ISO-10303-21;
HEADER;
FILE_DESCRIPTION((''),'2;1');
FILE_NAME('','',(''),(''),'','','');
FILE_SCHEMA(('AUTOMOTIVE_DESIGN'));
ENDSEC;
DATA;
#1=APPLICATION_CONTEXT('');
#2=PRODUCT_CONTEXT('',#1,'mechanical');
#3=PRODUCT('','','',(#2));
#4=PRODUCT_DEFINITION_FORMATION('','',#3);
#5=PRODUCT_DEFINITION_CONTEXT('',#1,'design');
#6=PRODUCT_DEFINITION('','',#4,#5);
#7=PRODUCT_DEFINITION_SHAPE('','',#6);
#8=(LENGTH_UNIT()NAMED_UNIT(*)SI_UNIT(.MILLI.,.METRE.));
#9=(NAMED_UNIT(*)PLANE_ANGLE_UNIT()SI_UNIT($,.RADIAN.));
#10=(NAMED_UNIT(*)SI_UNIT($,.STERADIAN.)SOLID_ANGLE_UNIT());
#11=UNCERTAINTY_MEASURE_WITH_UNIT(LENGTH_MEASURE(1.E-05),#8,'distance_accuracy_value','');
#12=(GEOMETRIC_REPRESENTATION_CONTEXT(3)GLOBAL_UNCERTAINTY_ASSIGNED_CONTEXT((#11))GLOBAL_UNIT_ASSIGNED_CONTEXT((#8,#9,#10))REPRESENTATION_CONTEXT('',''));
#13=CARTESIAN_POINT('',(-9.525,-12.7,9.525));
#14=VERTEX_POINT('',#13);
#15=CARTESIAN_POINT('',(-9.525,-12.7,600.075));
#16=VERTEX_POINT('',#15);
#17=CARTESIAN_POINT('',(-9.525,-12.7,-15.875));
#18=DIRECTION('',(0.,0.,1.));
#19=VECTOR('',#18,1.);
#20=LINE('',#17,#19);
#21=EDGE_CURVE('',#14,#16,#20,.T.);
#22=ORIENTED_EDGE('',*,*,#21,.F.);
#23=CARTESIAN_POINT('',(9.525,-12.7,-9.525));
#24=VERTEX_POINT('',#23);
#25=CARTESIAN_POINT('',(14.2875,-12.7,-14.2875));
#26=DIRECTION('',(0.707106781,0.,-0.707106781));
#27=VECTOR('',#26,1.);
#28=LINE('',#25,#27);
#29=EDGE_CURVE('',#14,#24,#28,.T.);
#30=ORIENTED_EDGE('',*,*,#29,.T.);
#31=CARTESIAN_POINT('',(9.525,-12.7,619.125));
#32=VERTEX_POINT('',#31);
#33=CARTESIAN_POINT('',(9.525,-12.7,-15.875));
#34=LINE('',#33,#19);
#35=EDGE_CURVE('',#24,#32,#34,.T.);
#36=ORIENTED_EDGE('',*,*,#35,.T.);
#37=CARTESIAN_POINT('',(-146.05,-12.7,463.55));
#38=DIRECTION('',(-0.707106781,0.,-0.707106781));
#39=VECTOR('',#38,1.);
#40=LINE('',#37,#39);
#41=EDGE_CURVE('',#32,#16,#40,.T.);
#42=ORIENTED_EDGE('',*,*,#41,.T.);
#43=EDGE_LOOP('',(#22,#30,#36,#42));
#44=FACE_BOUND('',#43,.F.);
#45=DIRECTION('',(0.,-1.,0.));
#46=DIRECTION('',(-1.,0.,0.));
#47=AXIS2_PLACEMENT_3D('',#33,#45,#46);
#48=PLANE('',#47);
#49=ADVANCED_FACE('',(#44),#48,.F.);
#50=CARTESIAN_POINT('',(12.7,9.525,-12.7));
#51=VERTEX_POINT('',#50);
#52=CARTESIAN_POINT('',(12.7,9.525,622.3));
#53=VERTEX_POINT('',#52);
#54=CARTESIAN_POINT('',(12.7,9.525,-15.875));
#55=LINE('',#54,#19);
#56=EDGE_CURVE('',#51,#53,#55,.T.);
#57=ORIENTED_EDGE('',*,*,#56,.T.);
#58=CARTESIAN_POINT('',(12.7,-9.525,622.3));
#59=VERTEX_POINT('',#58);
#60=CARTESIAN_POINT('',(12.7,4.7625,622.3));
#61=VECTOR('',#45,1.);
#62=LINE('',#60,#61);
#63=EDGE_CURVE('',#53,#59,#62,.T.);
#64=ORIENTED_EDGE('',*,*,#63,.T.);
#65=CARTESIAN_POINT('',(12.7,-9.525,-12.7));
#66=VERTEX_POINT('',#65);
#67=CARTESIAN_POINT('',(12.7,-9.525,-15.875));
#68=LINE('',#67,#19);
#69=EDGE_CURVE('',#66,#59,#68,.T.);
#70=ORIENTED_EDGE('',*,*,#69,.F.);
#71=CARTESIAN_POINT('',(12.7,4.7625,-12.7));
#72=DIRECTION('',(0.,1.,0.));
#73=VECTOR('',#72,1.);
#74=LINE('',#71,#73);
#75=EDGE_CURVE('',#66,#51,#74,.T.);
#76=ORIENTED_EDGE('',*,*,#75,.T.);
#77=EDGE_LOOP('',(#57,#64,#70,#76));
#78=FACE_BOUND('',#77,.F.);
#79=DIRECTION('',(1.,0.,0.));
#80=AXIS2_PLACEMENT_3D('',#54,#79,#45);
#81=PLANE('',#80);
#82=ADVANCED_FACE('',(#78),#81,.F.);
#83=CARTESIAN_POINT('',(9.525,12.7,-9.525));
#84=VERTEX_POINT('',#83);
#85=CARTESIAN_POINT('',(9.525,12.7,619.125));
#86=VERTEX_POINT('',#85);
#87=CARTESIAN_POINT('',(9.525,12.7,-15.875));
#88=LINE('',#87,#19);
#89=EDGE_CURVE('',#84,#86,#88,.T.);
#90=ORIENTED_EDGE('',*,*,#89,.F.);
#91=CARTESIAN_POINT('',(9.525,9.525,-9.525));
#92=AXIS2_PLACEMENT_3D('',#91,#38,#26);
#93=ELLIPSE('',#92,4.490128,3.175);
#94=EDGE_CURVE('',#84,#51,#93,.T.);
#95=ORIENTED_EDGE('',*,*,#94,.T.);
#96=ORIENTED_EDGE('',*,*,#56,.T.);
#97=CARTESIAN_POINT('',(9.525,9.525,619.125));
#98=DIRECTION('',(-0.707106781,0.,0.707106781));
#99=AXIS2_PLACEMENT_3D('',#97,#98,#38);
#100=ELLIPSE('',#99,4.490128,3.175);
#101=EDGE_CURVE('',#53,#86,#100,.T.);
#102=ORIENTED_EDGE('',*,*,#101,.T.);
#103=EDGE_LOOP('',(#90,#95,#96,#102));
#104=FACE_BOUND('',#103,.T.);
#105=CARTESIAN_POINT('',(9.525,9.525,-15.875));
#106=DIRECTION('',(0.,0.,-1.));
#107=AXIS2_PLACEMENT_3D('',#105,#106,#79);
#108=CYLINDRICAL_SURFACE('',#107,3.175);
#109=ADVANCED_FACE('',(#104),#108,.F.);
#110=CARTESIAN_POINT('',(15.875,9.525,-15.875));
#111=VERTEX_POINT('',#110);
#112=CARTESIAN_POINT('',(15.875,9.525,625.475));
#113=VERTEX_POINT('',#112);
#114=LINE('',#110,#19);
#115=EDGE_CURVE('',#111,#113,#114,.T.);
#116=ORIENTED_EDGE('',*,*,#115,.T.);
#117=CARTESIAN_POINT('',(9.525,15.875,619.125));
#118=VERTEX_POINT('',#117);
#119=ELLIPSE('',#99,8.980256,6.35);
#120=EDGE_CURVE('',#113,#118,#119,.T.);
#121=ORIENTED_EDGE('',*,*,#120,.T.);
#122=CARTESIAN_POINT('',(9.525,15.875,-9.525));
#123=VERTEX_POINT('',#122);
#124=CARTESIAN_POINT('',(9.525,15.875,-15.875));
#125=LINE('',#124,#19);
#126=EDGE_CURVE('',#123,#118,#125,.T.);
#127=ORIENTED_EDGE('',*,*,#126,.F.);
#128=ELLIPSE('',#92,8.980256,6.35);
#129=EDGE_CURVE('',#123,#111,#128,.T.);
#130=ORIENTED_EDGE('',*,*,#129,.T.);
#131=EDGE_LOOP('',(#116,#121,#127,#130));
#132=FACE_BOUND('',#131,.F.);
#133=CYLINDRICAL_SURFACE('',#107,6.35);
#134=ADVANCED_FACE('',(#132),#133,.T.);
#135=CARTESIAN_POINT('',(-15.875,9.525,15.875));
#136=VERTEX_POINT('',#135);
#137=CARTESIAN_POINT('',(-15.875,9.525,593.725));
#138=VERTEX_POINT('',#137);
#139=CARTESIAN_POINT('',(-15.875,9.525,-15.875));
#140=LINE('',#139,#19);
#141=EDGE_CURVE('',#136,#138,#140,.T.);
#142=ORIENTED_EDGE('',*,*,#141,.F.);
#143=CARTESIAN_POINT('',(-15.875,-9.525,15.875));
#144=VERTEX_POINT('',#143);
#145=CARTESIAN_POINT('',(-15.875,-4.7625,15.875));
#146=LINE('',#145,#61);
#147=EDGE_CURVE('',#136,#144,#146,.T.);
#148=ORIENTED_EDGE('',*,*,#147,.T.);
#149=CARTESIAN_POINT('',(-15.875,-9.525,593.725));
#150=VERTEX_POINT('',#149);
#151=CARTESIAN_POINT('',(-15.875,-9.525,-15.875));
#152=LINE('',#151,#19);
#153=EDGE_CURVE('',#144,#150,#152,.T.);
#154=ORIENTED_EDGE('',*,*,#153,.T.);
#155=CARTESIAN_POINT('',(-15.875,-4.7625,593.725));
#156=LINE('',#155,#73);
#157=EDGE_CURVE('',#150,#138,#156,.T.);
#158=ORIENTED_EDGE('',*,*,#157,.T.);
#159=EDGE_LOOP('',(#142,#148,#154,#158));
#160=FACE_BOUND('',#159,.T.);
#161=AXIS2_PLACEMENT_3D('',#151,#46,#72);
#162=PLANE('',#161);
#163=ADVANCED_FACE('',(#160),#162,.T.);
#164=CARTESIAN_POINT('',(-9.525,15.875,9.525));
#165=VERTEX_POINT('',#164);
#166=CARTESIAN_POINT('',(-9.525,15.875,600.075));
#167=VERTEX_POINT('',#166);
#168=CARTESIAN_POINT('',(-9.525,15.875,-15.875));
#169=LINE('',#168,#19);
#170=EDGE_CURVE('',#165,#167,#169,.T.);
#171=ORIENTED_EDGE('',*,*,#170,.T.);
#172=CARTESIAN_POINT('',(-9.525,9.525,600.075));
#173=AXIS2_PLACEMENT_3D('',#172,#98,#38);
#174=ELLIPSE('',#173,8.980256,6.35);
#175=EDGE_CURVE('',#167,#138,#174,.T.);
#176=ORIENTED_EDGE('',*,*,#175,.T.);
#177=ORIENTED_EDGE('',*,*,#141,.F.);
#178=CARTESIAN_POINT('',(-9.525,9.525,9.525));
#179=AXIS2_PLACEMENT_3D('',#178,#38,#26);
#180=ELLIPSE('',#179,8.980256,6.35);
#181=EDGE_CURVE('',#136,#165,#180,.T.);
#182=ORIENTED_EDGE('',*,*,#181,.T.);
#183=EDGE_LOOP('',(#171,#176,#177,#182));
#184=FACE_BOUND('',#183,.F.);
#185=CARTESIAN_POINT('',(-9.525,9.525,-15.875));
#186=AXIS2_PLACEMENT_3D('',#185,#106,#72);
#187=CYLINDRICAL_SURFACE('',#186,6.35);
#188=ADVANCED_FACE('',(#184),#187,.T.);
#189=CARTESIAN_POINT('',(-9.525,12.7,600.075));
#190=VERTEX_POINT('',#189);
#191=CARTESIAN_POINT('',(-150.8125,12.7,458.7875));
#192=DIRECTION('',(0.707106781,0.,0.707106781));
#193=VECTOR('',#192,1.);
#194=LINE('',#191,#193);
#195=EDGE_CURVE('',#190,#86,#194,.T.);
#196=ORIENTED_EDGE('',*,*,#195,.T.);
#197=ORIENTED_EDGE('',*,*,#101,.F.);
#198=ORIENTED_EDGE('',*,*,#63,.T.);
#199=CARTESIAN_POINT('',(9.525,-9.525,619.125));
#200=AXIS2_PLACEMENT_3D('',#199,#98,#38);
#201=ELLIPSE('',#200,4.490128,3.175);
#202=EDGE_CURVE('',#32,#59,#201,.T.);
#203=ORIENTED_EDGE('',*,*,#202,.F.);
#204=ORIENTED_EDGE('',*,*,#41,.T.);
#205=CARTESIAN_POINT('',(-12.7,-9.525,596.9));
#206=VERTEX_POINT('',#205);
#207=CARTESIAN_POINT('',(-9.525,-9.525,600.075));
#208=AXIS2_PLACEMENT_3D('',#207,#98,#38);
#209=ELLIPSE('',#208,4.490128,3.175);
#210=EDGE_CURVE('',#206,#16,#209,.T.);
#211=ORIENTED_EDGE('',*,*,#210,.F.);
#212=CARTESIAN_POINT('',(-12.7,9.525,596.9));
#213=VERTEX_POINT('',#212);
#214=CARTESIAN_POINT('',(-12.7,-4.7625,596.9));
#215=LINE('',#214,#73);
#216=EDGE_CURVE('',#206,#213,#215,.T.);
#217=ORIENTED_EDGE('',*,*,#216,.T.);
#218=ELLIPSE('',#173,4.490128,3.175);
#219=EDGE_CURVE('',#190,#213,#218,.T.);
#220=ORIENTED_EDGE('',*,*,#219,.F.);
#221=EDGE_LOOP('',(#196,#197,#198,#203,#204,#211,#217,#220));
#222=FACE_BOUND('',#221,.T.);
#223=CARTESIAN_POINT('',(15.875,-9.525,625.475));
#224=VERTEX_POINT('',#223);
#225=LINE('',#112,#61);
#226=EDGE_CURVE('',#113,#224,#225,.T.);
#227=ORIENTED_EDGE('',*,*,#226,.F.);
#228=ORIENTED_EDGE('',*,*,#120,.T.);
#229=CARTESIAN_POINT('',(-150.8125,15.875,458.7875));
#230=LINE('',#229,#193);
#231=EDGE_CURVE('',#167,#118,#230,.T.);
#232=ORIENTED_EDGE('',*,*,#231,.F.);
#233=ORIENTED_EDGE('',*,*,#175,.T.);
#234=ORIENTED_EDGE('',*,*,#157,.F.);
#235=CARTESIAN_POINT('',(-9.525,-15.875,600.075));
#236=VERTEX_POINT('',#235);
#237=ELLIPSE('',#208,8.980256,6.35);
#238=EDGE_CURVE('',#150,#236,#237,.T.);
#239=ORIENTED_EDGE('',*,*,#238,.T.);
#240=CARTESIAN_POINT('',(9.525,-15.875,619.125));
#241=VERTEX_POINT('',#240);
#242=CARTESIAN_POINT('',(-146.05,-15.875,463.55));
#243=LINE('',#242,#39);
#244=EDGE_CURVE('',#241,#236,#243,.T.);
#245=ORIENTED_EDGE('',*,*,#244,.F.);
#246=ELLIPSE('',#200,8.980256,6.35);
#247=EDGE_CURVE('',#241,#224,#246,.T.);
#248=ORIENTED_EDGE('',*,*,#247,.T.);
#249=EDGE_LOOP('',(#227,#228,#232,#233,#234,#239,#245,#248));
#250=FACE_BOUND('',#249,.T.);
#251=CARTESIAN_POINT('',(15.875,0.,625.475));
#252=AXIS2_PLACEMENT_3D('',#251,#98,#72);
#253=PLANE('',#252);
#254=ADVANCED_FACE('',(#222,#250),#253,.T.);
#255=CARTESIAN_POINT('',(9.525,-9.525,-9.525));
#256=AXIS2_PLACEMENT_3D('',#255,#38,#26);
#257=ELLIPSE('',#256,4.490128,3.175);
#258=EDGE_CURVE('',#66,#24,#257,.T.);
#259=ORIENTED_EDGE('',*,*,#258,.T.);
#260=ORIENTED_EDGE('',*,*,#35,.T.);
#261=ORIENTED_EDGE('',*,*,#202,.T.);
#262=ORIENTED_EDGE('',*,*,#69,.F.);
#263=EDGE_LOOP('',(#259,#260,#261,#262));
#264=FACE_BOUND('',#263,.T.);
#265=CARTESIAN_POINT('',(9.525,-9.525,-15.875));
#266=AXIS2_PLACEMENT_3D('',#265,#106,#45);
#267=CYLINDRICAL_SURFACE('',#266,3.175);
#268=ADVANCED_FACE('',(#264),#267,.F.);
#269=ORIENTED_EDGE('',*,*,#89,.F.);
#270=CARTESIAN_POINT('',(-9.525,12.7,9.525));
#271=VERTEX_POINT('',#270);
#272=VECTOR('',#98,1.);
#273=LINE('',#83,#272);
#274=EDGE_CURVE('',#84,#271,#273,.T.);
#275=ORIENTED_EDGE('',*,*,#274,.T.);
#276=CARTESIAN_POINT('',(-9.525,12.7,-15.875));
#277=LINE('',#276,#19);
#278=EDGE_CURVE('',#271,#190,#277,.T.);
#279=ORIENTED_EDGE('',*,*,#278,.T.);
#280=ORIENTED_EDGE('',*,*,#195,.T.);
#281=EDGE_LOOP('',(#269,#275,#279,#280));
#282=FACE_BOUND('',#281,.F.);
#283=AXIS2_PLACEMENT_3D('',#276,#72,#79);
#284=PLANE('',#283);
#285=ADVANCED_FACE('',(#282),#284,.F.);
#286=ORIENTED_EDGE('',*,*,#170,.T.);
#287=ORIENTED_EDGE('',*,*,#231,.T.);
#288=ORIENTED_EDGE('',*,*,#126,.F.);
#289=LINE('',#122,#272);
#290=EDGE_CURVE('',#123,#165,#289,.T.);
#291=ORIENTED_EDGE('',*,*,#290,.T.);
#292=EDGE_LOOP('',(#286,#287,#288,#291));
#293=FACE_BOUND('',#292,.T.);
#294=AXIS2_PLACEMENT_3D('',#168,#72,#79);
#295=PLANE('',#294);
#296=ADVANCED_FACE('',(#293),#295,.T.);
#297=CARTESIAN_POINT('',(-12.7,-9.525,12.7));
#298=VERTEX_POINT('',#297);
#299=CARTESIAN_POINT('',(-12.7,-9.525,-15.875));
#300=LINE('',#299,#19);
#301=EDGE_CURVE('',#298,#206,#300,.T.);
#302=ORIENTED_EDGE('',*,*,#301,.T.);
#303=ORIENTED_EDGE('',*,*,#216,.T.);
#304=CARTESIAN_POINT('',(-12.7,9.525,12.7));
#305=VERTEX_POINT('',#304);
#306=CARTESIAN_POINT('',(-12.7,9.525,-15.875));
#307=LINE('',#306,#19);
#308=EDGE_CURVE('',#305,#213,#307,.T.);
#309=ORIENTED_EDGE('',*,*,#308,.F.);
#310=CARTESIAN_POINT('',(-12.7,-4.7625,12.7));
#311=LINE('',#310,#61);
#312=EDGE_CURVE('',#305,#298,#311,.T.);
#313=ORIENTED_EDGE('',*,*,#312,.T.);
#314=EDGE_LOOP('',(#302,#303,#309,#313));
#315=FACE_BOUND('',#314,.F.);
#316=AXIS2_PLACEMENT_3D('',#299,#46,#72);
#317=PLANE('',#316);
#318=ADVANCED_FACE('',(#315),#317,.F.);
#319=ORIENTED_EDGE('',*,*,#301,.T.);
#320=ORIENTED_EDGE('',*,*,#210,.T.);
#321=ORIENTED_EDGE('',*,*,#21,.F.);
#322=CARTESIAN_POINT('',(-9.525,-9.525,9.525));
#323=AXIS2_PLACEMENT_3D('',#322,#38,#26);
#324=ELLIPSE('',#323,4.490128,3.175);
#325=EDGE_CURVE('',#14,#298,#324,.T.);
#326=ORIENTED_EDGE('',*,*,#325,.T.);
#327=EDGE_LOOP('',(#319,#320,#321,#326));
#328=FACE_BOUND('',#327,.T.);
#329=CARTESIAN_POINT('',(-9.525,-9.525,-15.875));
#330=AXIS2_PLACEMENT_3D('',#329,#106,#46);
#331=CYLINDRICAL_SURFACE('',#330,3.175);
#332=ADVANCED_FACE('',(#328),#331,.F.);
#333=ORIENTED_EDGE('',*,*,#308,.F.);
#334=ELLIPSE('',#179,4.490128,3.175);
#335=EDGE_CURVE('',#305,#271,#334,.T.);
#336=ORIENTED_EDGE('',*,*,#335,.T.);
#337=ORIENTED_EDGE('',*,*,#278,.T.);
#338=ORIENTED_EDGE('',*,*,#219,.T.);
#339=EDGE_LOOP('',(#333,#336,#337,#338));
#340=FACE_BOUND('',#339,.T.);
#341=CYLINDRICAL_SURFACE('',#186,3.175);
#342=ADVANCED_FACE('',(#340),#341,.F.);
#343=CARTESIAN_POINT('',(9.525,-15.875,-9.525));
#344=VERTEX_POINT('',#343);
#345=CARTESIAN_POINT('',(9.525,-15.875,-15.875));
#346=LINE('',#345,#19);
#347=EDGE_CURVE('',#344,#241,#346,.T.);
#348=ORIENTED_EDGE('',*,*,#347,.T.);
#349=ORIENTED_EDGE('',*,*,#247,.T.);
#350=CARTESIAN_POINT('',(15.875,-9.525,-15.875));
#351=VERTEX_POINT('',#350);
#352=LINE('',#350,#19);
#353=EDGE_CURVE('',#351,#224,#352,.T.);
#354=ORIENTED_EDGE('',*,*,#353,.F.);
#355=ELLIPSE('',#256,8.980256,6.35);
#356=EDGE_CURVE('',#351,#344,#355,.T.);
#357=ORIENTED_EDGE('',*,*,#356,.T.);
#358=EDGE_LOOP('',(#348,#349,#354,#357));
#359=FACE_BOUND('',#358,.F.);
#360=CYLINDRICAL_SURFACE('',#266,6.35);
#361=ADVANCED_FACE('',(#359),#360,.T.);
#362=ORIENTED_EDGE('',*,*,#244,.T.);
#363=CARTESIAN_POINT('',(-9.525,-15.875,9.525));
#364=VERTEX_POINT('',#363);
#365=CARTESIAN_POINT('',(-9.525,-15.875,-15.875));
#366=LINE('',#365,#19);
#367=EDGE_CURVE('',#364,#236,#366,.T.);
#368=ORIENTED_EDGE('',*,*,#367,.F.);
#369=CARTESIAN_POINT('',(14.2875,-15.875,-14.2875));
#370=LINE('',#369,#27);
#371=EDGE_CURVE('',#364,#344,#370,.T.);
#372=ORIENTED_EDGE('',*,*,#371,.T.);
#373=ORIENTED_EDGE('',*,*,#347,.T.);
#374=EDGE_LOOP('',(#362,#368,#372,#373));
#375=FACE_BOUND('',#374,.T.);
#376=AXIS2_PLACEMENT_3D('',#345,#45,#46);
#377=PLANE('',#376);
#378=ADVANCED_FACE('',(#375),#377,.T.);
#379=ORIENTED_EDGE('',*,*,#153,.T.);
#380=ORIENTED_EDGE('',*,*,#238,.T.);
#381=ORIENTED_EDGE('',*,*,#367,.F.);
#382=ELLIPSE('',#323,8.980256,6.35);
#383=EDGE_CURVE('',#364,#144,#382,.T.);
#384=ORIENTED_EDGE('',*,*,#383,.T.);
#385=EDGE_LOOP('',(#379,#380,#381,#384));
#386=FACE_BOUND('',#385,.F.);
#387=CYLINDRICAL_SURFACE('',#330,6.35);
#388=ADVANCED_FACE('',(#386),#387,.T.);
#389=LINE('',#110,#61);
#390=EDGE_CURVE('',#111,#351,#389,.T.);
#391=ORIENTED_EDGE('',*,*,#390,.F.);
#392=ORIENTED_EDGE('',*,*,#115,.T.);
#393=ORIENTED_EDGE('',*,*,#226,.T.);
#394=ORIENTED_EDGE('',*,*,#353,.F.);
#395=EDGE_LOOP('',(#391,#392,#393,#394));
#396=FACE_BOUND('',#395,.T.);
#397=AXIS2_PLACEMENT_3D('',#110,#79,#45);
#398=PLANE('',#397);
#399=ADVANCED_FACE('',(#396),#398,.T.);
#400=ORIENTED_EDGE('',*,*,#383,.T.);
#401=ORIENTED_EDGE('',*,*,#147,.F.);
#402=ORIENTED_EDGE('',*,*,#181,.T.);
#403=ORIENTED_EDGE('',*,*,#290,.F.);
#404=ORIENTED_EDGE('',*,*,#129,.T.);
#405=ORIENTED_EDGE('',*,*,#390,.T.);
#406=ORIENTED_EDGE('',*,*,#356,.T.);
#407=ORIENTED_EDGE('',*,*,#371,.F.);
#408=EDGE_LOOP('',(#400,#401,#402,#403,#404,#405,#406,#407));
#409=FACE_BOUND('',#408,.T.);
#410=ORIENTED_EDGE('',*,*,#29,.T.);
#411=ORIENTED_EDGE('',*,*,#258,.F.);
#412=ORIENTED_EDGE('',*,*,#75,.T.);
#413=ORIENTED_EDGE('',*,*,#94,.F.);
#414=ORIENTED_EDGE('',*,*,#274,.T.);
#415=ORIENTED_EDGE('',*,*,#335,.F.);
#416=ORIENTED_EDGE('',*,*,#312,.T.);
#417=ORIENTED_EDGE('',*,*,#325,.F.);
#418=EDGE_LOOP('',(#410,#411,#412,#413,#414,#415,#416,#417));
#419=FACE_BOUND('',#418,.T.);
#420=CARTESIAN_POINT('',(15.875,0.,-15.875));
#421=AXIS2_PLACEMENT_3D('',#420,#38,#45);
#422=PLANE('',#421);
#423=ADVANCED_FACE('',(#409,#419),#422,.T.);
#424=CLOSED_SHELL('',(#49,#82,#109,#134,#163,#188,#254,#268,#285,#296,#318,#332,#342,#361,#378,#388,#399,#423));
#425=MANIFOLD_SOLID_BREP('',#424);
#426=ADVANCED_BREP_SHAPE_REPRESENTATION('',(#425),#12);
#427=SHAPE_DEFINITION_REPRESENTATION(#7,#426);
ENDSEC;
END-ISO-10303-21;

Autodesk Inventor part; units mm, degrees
ref_plane "Start plane" through (0, 0, -15.875) normal (0, 0, 1) x (1, 0, 0)
ref_plane "End plane" through (0, 0, 625.475) normal (0, 0, 1) x (1, 0, 0)
sketch "Sketch" plane through (0, 0, 0) normal (0, 0, 1) x (1, 0, 0)
  line L0 (-15.875, -9.525) -> (-15.875, 9.525)
  line L1 (-9.525, 15.875) -> (9.525, 15.875)
  line L2 (15.875, 9.525) -> (15.875, -9.525)
  line L3 (9.525, -15.875) -> (-9.525, -15.875)
  arc A0 (-15.875, -9.525) -> (-9.525, -15.875) centre (-9.525, -9.525) ccw
  arc A1 (-9.525, 15.875) -> (-15.875, 9.525) centre (-9.525, 9.525) ccw
  arc A2 (15.875, 9.525) -> (9.525, 15.875) centre (9.525, 9.525) ccw
  arc A3 (9.525, -15.875) -> (15.875, -9.525) centre (9.525, -9.525) ccw
  arc A4 (-9.525, 12.7) -> (-12.7, 9.525) centre (-9.525, 9.525) ccw
  line L4 (-9.525, 12.7) -> (9.525, 12.7)
  arc A5 (12.7, 9.525) -> (9.525, 12.7) centre (9.525, 9.525) ccw
  line L5 (12.7, 9.525) -> (12.7, -9.525)
  arc A6 (9.525, -12.7) -> (12.7, -9.525) centre (9.525, -9.525) ccw
  line L6 (9.525, -12.7) -> (-9.525, -12.7)
  arc A7 (-12.7, -9.525) -> (-9.525, -12.7) centre (-9.525, -9.525) ccw
  line L7 (-12.7, -9.525) -> (-12.7, 9.525)
  line L8 (0, 24.0662) -> (0, -24.0662) construction
  line L9 (-24.0662, 0) -> (24.0662, 0) construction
  dimension "d10" = 31.75
  dimension "d11" = 31.75
  dimension "d12" = 3.175
  dimension "d15" = 15.875
  dimension "d16" = 15.875
  dimension "d17" = 6.35
extrude "Body" add sketch "Sketch" along normal up to surface (641.35 mm away) from surface at -15.875
sketch "Sketch3" plane through (0, 0, 0) normal (0, 0, 1) x (1, 0, 0)
  line L0 (0, 0) -> (10, 0)
ref_plane "Work Plane3" through (0, 0, 0) normal (0, -1, 0) x (1, 0, 0)
sketch "Sketch4" plane through (0, 0, 0) normal (0, -1, 0) x (1, 0, 0)
  line L0 (-2, -15.875) -> (12, -15.875)
  line L1 (-2, 625.475) -> (12, 625.475)
  dimension "d19" = 641.35
ref_plane "Work Plane4" through (15.875, 0, 625.475) normal (-0.7071, 0, 0.7071) x (0.7071, 0, 0.7071)
split "Split1" plane through (15.875, 0, 625.475) removes the side toward (-0.7071, 0, 0.7071)
ref_plane "Work Plane5" through (15.875, 0, -15.875) normal (-0.7071, 0, -0.7071) x (-0.7071, 0, 0.7071)
split "Split2" plane through (15.875, 0, -15.875) removes the side toward (-0.7071, 0, -0.7071)
equation "\"d10\" = G_H"
equation "\"d11\" = G_W"
equation "\"d12\" = G_T"
equation "\"d15\" = 0.5 * d10"
equation "\"d16\" = 0.5 * d11"
equation "\"d17\" = G_IR"
equation "\"d3\" = G_L"
equation "\"G_W\" = 31.75"
equation "\"G_H\" = 31.75"
equation "\"G_T\" = 3.175"
equation "\"G_IR\" = 6.35"
equation "\"G_L\" = d19"
equation "\"G_OFFSET_START\" = 15.875"
equation "\"G_OFFSET_END\" = 15.875"
equation "\"d13\" = -G_OFFSET_START"
equation "\"d14\" = G_OFFSET_END + B_L"
equation "\"B_L\" = 609.6"
properties part number "AISC HSS - 1-1/4x1-1/4x1/8 - 25.25" material "Steel, Mild"
